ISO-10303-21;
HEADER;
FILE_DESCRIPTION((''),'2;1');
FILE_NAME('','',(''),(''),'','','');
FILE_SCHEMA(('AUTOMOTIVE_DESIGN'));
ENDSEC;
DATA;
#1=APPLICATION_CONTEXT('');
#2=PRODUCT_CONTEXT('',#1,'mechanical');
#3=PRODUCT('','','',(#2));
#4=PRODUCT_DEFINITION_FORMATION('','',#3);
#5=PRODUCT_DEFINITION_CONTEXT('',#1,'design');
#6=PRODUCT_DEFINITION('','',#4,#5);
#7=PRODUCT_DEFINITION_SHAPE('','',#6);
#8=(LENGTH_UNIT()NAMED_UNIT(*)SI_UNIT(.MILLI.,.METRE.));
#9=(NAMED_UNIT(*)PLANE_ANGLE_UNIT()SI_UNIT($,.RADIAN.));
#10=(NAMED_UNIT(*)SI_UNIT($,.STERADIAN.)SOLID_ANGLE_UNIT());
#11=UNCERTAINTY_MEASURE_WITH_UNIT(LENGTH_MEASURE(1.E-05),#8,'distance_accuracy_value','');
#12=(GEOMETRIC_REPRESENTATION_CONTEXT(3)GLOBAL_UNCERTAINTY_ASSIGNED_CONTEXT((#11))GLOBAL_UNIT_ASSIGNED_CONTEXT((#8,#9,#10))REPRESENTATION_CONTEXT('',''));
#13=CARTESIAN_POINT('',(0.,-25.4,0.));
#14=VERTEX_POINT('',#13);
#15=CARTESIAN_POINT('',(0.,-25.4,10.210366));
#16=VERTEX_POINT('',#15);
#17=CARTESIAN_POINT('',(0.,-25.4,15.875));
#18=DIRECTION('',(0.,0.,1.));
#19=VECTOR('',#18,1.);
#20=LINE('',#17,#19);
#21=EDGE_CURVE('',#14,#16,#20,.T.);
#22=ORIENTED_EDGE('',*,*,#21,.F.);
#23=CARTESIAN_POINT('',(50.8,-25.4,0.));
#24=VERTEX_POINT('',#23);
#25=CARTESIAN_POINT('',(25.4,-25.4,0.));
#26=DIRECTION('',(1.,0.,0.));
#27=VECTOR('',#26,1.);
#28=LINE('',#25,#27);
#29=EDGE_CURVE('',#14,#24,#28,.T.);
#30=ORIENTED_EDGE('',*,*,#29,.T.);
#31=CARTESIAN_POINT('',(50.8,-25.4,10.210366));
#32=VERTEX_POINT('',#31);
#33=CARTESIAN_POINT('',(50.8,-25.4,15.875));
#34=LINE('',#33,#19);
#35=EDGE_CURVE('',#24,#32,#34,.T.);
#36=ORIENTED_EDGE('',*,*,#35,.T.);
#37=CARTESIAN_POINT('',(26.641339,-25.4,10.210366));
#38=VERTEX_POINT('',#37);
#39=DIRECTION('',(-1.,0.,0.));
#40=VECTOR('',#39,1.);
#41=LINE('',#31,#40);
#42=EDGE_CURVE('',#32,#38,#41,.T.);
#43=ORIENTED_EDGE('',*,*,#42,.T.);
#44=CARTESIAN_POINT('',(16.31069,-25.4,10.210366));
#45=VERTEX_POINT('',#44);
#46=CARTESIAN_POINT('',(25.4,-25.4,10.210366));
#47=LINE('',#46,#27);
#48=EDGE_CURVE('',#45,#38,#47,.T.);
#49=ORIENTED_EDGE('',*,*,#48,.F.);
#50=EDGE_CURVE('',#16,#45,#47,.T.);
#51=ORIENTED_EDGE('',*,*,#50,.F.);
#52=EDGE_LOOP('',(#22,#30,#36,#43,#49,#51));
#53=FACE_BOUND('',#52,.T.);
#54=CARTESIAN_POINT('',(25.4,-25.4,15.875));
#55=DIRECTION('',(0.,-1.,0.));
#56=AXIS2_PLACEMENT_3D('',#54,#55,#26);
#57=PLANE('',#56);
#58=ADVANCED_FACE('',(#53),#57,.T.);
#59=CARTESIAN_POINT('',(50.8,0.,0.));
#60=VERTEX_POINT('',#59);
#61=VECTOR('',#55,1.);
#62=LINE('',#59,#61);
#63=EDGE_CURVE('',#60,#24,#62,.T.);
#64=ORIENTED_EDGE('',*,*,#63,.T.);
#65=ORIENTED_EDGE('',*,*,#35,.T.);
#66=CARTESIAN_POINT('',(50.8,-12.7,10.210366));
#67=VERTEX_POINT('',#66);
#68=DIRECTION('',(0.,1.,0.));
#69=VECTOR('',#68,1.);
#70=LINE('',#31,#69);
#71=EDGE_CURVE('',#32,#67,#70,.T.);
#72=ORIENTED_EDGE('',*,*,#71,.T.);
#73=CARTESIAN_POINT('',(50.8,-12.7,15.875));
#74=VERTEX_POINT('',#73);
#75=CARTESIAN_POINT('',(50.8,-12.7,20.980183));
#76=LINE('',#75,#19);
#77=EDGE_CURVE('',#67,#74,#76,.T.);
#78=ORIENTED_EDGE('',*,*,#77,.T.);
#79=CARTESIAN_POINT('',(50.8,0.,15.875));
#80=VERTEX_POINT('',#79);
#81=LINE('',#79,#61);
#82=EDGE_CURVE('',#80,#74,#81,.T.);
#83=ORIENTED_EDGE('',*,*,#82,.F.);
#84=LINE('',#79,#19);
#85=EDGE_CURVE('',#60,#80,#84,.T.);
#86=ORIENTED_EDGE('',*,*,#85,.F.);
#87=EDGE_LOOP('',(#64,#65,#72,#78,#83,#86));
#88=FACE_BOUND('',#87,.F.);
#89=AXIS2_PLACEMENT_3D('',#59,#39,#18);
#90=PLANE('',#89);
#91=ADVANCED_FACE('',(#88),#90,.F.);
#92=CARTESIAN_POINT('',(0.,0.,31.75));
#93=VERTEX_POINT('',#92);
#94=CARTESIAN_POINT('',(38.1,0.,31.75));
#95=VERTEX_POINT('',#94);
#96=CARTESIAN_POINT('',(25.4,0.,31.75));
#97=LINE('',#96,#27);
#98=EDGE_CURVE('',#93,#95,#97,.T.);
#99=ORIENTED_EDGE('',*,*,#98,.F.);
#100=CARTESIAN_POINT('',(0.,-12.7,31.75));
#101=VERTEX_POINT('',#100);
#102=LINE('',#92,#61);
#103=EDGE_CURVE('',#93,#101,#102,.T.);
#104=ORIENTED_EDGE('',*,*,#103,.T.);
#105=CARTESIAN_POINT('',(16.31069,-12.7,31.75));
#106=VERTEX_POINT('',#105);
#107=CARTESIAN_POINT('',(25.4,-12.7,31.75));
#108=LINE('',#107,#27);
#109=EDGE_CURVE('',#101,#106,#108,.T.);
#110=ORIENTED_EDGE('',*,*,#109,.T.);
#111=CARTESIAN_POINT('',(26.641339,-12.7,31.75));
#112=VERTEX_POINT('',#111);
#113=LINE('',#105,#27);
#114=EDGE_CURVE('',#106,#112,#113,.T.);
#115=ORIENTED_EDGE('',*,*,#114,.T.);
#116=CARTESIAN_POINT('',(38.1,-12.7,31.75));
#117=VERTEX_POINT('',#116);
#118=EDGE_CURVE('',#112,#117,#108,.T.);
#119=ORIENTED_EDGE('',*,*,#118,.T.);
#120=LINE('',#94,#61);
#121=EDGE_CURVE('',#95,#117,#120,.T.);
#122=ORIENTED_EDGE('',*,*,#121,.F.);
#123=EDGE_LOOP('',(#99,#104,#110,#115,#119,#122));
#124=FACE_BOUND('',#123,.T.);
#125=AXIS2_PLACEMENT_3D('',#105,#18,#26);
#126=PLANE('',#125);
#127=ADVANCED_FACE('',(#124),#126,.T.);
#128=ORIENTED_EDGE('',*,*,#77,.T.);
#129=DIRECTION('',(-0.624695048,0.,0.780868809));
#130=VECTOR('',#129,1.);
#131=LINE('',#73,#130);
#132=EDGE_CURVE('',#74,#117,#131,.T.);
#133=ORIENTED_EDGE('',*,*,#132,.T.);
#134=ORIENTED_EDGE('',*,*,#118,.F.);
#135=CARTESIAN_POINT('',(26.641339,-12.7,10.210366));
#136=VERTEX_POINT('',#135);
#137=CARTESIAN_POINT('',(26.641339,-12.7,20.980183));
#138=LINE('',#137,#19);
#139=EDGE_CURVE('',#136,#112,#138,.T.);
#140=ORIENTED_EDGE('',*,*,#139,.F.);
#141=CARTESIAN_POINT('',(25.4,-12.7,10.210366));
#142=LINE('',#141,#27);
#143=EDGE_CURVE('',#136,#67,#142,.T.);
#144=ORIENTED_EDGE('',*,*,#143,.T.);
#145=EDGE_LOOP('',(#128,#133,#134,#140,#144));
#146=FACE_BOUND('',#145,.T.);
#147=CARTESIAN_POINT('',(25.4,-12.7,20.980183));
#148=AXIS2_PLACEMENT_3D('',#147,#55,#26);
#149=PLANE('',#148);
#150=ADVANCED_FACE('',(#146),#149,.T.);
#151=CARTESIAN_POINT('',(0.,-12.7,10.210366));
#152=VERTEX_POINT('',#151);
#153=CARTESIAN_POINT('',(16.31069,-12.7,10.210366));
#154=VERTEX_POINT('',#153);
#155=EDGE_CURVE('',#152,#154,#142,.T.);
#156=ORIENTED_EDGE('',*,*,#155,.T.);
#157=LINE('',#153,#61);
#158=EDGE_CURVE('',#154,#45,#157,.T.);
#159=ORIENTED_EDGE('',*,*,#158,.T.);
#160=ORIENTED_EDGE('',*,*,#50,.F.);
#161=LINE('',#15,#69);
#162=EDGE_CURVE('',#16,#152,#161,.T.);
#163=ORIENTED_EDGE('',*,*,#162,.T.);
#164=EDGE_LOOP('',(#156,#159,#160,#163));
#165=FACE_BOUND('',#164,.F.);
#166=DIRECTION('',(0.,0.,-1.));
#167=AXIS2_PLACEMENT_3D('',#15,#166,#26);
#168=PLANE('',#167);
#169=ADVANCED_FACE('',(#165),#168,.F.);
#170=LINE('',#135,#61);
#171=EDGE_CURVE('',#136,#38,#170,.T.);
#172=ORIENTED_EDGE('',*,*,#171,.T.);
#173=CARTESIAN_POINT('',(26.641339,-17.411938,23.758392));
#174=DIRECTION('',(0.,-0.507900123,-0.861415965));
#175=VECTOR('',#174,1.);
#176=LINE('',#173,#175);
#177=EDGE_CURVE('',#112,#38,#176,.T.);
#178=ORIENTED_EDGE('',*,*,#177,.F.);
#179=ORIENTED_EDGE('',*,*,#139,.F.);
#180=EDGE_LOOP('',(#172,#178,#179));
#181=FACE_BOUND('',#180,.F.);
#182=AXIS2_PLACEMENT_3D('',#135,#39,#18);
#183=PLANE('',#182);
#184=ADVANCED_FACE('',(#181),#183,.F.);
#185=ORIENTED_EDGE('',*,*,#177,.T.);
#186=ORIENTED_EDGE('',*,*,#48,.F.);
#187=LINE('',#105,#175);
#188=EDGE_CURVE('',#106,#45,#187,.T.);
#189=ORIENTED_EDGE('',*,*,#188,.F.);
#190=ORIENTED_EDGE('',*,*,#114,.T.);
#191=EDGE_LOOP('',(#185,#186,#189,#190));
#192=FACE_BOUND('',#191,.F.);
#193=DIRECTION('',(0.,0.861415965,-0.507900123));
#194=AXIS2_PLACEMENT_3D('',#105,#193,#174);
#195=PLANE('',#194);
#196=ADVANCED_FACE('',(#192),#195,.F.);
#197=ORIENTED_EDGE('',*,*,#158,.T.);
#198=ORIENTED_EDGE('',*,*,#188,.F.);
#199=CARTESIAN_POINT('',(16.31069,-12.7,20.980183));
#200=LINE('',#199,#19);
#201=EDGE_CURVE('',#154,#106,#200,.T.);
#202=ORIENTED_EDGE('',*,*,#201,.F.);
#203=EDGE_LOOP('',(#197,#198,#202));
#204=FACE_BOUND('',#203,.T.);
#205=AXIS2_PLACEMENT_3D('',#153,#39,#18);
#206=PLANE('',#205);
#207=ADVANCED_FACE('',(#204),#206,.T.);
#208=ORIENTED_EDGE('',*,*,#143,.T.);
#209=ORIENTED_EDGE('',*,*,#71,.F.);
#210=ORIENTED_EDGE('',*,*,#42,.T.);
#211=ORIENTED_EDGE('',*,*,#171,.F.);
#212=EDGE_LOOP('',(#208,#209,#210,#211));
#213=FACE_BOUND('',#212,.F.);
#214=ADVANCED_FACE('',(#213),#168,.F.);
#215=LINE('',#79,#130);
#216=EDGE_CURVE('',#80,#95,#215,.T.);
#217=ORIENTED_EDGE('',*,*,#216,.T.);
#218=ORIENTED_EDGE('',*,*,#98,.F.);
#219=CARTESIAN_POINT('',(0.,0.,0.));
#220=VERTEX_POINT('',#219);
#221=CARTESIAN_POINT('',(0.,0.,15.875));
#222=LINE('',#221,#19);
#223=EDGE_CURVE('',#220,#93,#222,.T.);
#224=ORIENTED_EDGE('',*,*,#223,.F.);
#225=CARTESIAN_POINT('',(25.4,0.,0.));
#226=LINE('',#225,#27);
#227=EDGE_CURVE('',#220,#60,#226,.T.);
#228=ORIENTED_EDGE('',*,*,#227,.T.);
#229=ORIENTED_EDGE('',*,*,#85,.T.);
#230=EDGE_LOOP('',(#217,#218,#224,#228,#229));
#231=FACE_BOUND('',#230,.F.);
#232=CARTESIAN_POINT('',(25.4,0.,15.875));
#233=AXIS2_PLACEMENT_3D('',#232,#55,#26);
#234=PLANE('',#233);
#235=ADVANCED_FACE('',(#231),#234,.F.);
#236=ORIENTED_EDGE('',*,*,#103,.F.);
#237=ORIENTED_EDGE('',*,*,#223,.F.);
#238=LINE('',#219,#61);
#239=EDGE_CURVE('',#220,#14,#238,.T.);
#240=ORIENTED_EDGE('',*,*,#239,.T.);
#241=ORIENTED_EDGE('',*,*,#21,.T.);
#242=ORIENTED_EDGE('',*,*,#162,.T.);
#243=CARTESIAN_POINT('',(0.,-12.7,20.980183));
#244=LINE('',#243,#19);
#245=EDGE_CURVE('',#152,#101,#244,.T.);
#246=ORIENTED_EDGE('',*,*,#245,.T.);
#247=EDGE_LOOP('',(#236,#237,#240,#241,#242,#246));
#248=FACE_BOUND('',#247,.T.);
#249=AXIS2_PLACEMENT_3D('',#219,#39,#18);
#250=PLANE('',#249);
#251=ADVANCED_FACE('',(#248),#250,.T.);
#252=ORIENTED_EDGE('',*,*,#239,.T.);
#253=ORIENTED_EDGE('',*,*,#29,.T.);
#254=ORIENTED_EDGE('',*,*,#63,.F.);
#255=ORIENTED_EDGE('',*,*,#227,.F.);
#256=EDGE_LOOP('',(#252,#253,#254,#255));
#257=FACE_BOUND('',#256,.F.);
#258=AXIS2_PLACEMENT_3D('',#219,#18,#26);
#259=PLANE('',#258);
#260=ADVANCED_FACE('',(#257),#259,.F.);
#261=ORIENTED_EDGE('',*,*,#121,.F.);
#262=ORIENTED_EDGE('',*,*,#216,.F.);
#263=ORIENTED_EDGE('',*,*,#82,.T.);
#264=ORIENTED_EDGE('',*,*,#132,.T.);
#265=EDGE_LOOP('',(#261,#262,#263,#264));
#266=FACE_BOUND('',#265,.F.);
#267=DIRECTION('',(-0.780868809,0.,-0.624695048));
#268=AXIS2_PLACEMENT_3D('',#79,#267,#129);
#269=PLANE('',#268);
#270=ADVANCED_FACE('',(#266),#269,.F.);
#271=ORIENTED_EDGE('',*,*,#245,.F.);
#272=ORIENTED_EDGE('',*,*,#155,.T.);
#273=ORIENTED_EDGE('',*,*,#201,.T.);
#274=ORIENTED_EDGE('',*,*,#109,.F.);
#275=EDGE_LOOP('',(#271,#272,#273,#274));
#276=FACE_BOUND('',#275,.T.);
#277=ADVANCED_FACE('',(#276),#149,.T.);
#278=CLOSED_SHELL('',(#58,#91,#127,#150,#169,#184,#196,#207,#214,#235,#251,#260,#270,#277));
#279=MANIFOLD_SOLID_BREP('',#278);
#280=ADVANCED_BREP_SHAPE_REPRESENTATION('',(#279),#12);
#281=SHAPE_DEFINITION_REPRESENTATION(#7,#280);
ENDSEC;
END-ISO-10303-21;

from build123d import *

# Parameters (mm, degrees)
F0_W     = 50.8
F0_H     = 31.75
F1_DEPTH = 25.4
F3_DEPTH = 12.7
F4_W     = 50.8
F4_H     = 21.5396340117
F5_DEPTH = 12.7
F6_W     = 10.3306490928
F6_H     = 21.5396340117
F7_DEPTH = 25.4
F9_DEPTH = 25.4


with BuildPart() as f1:
    # F0 (on Front) → F1 (new body)
    with BuildSketch(Plane.XZ):
        with Locations((25.4, 15.875)):
            Rectangle(F0_W, F0_H)
    extrude(amount=F1_DEPTH)

    # F2 (on face) → F3 (cut)
    with BuildSketch(Plane(origin=(0, 0, 0), x_dir=(-1, 0, 0), z_dir=(0, 1, 0))):
        Polygon((-50.8, 31.75), (-50.8, 15.875), (-38.1, 31.75), align=None)
    extrude(amount=-F3_DEPTH, mode=Mode.SUBTRACT)

    # F4 (on face) → F5 (cut)
    with BuildSketch(Plane.XZ.offset(25.4)):
        with Locations((25.4, 20.9801829942)):
            Rectangle(F4_W, F4_H)
    extrude(amount=-F5_DEPTH, mode=Mode.SUBTRACT)

    # F6 (on face) → F7 (join)
    with BuildSketch(Plane.XZ.offset(12.7)):
        with Locations((21.4760145172, 20.9801829942)):
            Rectangle(F6_W, F6_H)
    extrude(amount=F7_DEPTH)

    # F8 (on face) → F9 (cut)
    with BuildSketch(Plane(origin=(16.3106899709, 0, 0), x_dir=(0, -1, 0), z_dir=(-1, 0, 0))):
        Polygon((38.1, 31.75), (12.7, 31.75), (25.4, 10.2103659883), (38.1, 10.2103659883), align=None)
    extrude(amount=-F9_DEPTH, mode=Mode.SUBTRACT)


solid = f1.part
